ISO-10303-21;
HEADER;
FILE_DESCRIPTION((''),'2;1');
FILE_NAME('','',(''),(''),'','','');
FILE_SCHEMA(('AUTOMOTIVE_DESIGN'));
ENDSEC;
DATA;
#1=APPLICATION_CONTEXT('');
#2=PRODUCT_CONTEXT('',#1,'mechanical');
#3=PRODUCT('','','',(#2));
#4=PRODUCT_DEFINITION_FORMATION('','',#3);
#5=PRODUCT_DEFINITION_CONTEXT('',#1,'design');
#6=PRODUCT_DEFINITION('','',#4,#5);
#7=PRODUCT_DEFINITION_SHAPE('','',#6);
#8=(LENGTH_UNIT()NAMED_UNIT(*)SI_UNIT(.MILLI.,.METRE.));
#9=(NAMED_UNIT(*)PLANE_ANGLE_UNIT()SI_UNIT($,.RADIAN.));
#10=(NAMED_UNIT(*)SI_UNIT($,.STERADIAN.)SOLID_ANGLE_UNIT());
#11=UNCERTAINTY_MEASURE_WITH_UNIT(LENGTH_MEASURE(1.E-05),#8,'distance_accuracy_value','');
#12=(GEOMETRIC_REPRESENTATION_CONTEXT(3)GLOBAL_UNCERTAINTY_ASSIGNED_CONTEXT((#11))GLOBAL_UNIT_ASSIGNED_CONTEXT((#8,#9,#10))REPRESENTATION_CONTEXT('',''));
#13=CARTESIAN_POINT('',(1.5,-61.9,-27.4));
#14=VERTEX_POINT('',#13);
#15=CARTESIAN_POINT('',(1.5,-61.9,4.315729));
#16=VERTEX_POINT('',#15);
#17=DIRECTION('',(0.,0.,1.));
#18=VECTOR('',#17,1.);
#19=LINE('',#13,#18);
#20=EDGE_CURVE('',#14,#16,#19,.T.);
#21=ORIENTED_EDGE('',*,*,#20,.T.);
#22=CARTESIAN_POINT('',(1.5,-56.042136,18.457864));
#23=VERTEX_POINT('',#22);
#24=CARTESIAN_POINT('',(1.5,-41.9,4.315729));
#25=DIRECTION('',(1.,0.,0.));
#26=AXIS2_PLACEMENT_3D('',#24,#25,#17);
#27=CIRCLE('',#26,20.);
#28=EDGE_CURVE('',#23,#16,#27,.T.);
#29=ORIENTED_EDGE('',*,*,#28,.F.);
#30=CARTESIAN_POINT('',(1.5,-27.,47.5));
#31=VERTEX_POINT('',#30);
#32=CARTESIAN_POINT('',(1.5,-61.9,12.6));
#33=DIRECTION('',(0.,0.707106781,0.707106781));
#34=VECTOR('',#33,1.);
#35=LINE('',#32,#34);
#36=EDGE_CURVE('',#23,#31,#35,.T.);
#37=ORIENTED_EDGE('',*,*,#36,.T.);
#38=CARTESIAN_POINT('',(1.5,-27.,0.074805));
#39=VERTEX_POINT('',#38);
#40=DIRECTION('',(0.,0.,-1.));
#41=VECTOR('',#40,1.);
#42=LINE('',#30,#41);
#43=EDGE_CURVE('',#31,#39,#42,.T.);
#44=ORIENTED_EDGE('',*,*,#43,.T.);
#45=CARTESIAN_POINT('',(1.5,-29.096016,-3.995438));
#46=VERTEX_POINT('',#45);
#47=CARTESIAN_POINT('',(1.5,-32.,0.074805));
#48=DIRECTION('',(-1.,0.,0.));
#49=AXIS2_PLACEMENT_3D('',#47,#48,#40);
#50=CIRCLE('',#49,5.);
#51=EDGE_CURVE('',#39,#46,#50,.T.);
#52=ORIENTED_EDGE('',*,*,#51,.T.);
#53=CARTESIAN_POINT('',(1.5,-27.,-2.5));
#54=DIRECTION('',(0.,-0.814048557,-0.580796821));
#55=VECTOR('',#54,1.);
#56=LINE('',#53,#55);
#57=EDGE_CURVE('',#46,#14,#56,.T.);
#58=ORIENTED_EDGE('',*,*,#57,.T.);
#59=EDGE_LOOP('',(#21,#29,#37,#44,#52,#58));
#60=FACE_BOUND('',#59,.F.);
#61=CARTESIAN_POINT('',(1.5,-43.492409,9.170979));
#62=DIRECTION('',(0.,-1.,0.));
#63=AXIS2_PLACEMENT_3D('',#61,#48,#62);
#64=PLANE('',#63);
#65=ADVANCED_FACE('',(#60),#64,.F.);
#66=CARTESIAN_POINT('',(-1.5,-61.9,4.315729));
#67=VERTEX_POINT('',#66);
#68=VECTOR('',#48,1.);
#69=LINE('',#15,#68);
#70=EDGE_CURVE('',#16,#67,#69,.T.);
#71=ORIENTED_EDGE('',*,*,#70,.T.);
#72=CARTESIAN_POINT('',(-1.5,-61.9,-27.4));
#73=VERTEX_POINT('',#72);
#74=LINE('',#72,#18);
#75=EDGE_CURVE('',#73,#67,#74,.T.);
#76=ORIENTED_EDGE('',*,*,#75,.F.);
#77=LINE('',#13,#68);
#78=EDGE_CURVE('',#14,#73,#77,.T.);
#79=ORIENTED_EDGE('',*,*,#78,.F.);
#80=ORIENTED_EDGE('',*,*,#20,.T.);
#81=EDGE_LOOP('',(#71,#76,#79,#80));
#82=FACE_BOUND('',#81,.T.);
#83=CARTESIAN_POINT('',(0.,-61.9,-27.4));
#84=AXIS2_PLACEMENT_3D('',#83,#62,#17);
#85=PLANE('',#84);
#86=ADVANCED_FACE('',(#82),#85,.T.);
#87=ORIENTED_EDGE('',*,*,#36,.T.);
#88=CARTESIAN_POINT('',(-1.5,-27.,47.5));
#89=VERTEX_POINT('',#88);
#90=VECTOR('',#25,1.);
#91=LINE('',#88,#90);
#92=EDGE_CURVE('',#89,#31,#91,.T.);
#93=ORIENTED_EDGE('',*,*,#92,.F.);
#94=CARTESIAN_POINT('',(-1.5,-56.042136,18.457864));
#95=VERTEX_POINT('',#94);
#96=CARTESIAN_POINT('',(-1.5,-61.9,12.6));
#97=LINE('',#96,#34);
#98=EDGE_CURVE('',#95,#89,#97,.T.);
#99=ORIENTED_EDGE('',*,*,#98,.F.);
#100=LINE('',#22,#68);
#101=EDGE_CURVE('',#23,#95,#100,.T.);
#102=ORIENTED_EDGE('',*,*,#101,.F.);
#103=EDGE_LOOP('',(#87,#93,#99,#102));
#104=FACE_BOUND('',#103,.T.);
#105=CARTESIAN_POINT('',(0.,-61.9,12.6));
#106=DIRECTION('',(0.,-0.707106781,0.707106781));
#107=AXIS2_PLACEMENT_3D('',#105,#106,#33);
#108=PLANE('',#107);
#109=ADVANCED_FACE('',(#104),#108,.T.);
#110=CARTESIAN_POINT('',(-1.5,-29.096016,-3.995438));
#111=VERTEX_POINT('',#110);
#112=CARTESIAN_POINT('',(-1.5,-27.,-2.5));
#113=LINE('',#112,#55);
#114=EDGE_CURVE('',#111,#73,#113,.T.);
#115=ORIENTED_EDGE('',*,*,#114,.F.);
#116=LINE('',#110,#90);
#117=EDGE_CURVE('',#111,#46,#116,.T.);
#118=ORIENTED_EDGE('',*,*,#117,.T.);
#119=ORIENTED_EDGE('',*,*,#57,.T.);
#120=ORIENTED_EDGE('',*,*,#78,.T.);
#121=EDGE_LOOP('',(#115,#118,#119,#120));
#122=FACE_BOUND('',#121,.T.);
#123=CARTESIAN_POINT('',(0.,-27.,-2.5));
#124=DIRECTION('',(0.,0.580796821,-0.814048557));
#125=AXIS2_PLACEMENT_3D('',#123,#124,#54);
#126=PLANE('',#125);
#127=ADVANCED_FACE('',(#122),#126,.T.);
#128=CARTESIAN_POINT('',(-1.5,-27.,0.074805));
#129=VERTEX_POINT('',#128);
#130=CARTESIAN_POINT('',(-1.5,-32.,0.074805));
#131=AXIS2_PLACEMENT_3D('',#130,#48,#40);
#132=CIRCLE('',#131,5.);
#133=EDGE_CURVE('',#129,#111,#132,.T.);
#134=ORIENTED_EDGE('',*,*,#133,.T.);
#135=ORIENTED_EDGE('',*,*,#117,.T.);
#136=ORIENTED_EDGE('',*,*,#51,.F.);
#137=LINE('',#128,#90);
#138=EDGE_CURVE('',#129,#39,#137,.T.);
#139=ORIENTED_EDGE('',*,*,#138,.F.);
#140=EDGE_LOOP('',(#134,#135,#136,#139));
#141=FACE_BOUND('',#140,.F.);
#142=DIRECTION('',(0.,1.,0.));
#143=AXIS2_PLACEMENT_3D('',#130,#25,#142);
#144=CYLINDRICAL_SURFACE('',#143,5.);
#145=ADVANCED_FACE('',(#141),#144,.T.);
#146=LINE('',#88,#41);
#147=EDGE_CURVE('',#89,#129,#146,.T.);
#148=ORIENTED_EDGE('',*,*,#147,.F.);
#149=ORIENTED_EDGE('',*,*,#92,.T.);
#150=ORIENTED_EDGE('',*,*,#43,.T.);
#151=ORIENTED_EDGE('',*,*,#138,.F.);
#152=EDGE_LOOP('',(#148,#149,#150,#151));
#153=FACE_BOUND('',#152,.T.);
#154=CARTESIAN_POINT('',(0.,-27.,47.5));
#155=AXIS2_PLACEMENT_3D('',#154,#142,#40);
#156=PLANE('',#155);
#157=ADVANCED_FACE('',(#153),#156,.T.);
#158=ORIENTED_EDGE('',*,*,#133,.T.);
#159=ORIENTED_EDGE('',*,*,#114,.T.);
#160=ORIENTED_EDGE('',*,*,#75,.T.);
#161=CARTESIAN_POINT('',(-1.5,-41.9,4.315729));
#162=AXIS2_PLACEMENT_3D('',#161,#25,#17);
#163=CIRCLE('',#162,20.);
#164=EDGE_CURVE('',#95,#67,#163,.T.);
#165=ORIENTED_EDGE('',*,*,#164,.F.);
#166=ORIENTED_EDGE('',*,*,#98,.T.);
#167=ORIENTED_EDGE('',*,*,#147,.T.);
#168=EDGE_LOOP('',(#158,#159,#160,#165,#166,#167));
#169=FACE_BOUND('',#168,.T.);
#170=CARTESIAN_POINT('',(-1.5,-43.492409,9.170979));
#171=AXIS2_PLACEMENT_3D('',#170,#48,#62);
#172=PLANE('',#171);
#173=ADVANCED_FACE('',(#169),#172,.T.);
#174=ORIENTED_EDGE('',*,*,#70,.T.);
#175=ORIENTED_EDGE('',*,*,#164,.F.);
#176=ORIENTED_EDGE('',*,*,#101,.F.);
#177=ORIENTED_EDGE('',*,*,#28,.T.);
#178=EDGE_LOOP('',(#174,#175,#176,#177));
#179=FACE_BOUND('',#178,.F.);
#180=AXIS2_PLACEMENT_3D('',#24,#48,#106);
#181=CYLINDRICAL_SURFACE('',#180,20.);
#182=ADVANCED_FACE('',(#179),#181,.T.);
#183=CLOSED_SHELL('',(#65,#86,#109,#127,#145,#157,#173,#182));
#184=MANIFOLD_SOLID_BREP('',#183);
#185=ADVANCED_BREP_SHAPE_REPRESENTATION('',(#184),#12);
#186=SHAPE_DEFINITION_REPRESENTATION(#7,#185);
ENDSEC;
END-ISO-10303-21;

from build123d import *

# Parameters (mm, degrees)
PAD006_DEPTH            = 1.5
FILLET006_R             = 20
FILLET007_R             = 5
BODY007_PLACEMENT_ANGLE = 180


with BuildPart() as part:
    # Sketch011 → Pad006 (new body, symmetric)
    with BuildSketch(Plane.YZ):
        Polygon((27, -2.5), (61.9, -27.4), (61.9, 12.6), (27, 47.5), align=None)
    extrude(amount=PAD006_DEPTH, both=True)

    # Fillet006
    fillet006_edges = [part.edges().sort_by_distance(p)[0] for p in [
        (0, 61.9, 12.6),
    ]]
    fillet(fillet006_edges, radius=FILLET006_R)

    # Fillet007
    fillet007_edges = [part.edges().sort_by_distance(p)[0] for p in [
        (0, 27, -2.5),
    ]]
    fillet(fillet007_edges, radius=FILLET007_R)


with BuildPart() as part_1:
    # Body007 placement: moved
    add(part.part.rotate(Axis((0, 0, 0), (0, 0, 1)), BODY007_PLACEMENT_ANGLE))


solid = part_1.part
